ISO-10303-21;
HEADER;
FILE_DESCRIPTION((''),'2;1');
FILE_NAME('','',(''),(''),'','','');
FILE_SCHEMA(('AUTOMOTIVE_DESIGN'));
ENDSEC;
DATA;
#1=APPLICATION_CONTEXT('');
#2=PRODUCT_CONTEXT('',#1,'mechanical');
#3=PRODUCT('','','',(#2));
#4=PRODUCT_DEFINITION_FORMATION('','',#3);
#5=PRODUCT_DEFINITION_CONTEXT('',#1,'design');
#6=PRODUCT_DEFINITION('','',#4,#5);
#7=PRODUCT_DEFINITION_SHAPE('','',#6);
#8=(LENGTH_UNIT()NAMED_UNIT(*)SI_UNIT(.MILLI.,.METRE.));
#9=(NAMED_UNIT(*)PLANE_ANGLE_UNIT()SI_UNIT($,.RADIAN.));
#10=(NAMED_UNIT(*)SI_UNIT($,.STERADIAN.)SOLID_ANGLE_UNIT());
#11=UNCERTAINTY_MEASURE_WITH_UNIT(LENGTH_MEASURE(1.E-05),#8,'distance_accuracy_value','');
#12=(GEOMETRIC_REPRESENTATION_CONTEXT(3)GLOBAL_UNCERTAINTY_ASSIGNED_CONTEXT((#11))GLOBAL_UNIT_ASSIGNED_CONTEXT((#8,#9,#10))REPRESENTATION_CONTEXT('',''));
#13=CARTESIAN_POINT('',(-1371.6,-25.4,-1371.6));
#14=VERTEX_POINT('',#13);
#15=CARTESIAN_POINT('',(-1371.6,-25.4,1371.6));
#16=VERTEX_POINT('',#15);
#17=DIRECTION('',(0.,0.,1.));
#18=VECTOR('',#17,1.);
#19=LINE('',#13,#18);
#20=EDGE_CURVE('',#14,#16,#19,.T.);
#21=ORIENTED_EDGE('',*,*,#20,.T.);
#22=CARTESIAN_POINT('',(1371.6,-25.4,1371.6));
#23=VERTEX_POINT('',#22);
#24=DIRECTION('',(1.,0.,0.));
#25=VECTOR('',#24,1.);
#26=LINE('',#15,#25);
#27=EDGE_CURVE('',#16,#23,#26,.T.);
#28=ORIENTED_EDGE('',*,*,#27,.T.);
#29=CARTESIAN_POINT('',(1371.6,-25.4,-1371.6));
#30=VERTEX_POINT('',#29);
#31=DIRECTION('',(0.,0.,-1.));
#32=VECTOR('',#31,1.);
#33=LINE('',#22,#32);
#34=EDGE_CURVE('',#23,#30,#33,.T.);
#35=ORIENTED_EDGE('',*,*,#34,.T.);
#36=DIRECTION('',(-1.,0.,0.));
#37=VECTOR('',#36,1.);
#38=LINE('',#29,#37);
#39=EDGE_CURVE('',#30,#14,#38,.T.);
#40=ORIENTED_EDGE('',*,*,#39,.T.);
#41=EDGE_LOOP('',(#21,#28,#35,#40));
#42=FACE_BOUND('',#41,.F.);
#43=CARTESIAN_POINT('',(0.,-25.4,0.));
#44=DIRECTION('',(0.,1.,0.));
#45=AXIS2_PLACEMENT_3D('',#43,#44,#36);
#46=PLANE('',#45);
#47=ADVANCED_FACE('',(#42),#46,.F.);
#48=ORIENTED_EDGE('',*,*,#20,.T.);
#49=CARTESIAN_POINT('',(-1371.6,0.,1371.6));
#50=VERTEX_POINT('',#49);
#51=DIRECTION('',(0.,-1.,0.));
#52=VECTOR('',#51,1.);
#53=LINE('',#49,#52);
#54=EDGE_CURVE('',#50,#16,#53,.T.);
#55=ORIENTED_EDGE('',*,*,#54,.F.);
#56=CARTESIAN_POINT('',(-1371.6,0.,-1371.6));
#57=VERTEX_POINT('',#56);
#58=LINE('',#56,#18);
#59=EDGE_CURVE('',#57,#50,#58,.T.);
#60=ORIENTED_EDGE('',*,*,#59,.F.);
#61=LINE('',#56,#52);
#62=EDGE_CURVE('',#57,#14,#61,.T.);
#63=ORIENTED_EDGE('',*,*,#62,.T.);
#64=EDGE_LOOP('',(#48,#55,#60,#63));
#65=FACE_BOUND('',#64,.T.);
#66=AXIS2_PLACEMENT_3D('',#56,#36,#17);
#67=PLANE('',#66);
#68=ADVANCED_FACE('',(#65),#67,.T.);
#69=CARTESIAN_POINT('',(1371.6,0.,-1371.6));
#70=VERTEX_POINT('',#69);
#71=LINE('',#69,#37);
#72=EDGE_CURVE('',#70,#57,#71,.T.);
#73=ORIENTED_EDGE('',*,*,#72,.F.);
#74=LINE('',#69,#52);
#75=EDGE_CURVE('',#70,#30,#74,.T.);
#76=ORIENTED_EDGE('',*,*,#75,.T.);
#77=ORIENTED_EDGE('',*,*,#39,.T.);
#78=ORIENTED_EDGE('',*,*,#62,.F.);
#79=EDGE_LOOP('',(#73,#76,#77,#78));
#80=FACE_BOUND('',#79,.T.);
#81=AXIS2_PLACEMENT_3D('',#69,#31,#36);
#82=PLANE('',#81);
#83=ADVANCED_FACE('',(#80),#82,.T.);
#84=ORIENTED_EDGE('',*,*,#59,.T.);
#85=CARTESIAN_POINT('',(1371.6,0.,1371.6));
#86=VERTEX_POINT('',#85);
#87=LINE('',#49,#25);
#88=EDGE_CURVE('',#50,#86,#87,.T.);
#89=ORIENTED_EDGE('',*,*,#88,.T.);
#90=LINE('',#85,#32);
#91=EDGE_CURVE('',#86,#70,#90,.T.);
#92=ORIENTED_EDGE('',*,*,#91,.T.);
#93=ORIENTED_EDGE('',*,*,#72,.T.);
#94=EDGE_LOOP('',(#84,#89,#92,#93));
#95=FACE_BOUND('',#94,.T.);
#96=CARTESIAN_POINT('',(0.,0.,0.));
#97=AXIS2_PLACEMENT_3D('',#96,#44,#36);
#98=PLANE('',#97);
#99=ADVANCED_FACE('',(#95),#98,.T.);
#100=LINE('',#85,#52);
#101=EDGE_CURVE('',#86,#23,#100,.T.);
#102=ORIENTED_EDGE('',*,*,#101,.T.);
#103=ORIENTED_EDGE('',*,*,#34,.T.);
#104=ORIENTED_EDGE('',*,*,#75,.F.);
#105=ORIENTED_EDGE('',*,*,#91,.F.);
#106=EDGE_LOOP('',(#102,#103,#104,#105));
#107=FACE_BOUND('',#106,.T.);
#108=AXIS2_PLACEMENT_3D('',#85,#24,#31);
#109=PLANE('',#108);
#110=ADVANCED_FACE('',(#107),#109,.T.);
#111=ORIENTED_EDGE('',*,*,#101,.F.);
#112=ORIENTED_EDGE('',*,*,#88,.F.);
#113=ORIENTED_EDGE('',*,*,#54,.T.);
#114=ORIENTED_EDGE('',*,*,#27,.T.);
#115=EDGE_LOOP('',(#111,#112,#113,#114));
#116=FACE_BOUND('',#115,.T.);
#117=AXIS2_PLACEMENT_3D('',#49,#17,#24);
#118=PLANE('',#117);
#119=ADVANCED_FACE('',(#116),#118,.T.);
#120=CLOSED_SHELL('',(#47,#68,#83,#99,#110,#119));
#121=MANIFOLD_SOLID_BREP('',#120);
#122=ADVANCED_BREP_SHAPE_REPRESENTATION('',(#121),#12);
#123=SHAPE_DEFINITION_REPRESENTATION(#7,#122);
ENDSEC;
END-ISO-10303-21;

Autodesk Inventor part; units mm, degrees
ref_plane "YZ Plane" through (0, 0, 0) normal (1, 0, 0) x (0, 1, 0)
ref_plane "XZ Plane" through (0, 0, 0) normal (0, 1, 0) x (-1, 0, 0)
ref_plane "XY Plane" through (0, 0, 0) normal (0, 0, 1) x (1, 0, 0)
sketch "Sketch1" plane through (0, 0, 0) normal (0, 1, 0) x (-1, 0, 0)
  line L0 (-1371.6, 1371.6) -> (-1371.6, -1371.6)
  line L1 (-1371.6, -1371.6) -> (1371.6, -1371.6)
  line L2 (1371.6, -1371.6) -> (1371.6, 1371.6)
  line L3 (1371.6, 1371.6) -> (-1371.6, 1371.6)
  line L4 (-1371.6, 1371.6) -> (1371.6, -1371.6) construction
  line L5 (-1371.6, -1371.6) -> (1371.6, 1371.6) construction
  point P0 (0, 0)
  dimension "d0" = 2743.2
extrude "Extrusion1" add sketch "Sketch1" against normal blind 25.4
properties part number "Cement Ground Plane" material "Concrete"
